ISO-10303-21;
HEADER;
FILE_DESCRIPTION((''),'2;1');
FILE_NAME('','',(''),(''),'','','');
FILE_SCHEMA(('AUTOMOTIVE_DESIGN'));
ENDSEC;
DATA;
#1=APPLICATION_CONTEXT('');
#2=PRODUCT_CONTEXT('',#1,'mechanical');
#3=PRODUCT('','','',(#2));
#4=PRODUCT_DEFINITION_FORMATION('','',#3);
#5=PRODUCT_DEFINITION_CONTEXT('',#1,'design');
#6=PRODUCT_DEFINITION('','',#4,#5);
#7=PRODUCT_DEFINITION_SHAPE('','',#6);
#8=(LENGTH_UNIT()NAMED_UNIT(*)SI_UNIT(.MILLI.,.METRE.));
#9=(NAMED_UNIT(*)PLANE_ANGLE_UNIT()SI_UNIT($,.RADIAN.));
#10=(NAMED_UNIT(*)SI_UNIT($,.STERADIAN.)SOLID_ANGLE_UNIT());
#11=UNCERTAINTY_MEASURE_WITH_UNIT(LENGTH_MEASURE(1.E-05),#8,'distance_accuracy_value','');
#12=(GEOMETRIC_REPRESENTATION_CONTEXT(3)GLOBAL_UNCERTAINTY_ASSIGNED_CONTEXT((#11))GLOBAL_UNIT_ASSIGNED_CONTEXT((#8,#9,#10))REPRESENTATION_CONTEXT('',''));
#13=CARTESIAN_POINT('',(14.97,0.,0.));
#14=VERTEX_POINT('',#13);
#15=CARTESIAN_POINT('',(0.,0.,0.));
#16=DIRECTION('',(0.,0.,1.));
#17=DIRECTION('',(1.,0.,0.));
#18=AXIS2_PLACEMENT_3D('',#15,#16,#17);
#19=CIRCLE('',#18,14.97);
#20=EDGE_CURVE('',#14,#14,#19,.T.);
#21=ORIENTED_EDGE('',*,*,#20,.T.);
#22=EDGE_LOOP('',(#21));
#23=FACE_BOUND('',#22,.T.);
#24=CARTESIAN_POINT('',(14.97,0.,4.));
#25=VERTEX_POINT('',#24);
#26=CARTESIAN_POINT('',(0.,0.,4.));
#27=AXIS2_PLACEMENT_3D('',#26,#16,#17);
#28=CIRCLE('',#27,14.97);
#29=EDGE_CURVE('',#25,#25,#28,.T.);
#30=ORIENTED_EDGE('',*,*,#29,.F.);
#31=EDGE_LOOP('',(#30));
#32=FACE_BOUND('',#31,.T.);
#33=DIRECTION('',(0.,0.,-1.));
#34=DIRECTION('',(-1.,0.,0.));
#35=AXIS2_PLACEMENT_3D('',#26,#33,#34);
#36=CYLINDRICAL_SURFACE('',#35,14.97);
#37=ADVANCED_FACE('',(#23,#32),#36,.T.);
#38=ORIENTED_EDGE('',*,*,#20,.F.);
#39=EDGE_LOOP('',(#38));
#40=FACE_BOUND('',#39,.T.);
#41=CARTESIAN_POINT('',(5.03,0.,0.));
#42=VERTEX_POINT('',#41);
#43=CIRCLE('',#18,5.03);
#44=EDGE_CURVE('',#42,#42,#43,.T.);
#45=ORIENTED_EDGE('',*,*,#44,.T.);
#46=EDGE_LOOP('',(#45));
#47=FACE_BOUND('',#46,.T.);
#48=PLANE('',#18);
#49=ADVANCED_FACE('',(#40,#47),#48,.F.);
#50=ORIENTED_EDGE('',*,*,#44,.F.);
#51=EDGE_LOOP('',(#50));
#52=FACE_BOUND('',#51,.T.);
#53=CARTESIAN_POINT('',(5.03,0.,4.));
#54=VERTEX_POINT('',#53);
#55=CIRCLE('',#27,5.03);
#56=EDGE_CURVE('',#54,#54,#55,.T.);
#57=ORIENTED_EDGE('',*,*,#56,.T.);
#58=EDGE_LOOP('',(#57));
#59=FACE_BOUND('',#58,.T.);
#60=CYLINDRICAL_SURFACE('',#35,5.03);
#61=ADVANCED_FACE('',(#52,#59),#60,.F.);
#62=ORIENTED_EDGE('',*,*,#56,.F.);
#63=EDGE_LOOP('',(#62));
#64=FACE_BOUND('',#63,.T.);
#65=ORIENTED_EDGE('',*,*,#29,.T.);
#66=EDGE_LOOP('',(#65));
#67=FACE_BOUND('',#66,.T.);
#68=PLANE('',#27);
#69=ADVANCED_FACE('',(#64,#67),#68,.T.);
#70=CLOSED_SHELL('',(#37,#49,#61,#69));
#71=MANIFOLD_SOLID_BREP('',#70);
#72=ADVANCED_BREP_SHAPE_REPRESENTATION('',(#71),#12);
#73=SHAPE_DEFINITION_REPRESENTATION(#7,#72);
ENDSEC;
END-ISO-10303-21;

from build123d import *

# Parameters (mm, degrees)
SKETCH_1_R      = 14.97
SKETCH_1_R_2    = 5.03
EXTRUDE_1_DEPTH = 4


with BuildPart() as part:
    # 草图1 → 凸台-拉伸1 (new body)
    with BuildSketch(Plane.XY):
        Circle(SKETCH_1_R)
        Circle(SKETCH_1_R_2, mode=Mode.SUBTRACT)
    extrude(amount=EXTRUDE_1_DEPTH)


solid = part.part
